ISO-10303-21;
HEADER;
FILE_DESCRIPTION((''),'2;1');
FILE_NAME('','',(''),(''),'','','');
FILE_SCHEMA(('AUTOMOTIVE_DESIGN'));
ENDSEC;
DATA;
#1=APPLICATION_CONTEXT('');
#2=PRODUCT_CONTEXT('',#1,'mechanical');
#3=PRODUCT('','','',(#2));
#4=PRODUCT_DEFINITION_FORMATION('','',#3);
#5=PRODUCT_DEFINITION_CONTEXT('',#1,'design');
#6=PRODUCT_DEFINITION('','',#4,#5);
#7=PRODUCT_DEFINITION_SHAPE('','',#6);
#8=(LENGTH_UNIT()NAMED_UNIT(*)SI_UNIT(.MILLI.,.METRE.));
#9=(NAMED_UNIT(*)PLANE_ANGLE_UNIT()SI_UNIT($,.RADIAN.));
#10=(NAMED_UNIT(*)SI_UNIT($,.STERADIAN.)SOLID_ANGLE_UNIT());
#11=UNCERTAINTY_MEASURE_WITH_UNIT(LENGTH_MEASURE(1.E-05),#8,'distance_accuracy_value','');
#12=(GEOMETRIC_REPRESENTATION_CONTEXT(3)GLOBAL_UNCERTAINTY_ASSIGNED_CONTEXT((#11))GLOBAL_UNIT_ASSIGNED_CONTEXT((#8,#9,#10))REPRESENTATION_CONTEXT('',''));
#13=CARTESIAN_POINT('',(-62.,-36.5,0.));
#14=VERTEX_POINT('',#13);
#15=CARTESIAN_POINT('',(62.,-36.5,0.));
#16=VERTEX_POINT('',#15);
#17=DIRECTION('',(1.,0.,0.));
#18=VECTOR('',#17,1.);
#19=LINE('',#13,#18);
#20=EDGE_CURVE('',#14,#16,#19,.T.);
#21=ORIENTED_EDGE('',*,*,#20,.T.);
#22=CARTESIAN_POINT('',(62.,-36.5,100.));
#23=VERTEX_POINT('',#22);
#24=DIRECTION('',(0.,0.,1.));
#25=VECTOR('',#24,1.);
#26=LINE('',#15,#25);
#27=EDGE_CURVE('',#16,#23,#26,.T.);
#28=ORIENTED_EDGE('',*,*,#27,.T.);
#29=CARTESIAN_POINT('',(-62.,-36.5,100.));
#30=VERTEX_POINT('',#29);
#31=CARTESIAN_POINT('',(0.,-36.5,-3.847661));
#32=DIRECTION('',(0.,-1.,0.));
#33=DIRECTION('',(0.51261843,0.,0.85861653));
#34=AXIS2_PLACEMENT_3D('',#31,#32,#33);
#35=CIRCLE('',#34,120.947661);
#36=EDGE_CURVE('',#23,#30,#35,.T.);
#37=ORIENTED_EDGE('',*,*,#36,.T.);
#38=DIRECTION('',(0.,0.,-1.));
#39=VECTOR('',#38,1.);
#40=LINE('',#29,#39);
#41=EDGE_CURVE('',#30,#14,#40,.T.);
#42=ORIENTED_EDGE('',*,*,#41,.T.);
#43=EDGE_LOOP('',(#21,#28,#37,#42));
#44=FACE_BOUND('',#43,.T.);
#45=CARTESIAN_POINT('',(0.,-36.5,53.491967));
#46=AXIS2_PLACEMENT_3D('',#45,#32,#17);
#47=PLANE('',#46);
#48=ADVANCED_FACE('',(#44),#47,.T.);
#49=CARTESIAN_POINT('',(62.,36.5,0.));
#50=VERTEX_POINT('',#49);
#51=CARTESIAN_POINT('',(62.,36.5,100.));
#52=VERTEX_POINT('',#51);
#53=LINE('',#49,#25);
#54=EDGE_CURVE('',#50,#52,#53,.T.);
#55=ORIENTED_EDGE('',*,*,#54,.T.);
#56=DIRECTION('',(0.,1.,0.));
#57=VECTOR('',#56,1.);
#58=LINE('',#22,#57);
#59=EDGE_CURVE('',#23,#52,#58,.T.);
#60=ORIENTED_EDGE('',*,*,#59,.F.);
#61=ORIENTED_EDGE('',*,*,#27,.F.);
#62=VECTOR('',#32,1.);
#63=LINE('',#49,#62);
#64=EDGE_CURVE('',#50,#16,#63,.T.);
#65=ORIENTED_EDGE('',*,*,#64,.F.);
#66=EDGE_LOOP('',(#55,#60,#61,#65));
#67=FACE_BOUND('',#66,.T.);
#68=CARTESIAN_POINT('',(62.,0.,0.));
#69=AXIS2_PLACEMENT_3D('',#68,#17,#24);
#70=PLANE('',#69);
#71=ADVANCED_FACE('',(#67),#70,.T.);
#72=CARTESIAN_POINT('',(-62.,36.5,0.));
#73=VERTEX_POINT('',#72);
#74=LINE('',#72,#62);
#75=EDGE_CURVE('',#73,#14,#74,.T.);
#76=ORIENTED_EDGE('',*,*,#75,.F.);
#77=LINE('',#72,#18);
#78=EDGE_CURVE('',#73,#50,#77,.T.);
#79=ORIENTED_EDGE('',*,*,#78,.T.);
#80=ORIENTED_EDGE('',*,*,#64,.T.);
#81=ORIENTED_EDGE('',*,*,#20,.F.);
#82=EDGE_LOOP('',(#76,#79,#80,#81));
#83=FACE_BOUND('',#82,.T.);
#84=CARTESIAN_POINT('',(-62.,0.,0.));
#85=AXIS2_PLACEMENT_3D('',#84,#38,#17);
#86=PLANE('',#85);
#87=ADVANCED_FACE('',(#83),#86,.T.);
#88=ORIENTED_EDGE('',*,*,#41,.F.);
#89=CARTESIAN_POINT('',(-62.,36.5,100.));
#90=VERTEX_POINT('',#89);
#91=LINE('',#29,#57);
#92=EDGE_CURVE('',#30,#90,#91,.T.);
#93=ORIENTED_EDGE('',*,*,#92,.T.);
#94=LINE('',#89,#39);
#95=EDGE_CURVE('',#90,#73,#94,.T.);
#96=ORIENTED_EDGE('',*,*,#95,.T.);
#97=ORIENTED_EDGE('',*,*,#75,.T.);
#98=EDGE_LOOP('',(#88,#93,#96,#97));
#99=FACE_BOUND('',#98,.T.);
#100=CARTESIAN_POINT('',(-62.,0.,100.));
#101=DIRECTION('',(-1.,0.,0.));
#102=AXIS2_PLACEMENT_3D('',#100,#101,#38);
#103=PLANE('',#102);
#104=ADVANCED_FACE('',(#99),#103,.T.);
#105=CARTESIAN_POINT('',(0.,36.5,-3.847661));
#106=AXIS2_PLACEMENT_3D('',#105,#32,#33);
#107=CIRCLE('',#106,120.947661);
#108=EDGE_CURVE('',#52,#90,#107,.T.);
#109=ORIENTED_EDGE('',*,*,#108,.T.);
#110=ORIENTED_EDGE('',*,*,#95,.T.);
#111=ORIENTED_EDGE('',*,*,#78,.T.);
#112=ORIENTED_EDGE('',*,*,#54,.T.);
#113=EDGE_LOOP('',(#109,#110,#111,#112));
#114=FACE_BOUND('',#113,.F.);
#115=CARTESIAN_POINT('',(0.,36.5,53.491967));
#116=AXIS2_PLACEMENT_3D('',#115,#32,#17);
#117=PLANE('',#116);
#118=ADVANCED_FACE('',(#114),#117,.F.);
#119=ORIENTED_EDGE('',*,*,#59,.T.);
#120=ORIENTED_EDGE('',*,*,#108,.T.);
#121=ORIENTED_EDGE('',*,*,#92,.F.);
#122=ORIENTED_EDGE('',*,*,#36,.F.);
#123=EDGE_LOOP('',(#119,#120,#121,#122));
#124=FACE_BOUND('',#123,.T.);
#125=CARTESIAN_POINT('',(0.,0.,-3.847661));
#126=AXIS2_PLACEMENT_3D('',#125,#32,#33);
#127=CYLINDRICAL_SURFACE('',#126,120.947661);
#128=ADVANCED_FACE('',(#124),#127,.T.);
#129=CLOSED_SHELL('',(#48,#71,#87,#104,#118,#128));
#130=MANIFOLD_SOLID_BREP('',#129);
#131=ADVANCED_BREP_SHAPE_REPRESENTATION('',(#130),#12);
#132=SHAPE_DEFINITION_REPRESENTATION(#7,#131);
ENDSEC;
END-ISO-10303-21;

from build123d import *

# Parameters (mm, degrees)
F1_DEPTH = 36.5


with BuildPart() as f1:
    # F0 (on Front) → F1 (new body, symmetric)
    with BuildSketch(Plane.XZ):
        with BuildLine():
            Line((-62, 100), (-62, 0))
            Line((-62, 0), (62, 0))
            Line((62, 0), (62, 100))
            ThreePointArc((62, 100), (0, 117.1), (-62, 100))
        make_face()
    extrude(amount=F1_DEPTH, both=True)


solid = f1.part
